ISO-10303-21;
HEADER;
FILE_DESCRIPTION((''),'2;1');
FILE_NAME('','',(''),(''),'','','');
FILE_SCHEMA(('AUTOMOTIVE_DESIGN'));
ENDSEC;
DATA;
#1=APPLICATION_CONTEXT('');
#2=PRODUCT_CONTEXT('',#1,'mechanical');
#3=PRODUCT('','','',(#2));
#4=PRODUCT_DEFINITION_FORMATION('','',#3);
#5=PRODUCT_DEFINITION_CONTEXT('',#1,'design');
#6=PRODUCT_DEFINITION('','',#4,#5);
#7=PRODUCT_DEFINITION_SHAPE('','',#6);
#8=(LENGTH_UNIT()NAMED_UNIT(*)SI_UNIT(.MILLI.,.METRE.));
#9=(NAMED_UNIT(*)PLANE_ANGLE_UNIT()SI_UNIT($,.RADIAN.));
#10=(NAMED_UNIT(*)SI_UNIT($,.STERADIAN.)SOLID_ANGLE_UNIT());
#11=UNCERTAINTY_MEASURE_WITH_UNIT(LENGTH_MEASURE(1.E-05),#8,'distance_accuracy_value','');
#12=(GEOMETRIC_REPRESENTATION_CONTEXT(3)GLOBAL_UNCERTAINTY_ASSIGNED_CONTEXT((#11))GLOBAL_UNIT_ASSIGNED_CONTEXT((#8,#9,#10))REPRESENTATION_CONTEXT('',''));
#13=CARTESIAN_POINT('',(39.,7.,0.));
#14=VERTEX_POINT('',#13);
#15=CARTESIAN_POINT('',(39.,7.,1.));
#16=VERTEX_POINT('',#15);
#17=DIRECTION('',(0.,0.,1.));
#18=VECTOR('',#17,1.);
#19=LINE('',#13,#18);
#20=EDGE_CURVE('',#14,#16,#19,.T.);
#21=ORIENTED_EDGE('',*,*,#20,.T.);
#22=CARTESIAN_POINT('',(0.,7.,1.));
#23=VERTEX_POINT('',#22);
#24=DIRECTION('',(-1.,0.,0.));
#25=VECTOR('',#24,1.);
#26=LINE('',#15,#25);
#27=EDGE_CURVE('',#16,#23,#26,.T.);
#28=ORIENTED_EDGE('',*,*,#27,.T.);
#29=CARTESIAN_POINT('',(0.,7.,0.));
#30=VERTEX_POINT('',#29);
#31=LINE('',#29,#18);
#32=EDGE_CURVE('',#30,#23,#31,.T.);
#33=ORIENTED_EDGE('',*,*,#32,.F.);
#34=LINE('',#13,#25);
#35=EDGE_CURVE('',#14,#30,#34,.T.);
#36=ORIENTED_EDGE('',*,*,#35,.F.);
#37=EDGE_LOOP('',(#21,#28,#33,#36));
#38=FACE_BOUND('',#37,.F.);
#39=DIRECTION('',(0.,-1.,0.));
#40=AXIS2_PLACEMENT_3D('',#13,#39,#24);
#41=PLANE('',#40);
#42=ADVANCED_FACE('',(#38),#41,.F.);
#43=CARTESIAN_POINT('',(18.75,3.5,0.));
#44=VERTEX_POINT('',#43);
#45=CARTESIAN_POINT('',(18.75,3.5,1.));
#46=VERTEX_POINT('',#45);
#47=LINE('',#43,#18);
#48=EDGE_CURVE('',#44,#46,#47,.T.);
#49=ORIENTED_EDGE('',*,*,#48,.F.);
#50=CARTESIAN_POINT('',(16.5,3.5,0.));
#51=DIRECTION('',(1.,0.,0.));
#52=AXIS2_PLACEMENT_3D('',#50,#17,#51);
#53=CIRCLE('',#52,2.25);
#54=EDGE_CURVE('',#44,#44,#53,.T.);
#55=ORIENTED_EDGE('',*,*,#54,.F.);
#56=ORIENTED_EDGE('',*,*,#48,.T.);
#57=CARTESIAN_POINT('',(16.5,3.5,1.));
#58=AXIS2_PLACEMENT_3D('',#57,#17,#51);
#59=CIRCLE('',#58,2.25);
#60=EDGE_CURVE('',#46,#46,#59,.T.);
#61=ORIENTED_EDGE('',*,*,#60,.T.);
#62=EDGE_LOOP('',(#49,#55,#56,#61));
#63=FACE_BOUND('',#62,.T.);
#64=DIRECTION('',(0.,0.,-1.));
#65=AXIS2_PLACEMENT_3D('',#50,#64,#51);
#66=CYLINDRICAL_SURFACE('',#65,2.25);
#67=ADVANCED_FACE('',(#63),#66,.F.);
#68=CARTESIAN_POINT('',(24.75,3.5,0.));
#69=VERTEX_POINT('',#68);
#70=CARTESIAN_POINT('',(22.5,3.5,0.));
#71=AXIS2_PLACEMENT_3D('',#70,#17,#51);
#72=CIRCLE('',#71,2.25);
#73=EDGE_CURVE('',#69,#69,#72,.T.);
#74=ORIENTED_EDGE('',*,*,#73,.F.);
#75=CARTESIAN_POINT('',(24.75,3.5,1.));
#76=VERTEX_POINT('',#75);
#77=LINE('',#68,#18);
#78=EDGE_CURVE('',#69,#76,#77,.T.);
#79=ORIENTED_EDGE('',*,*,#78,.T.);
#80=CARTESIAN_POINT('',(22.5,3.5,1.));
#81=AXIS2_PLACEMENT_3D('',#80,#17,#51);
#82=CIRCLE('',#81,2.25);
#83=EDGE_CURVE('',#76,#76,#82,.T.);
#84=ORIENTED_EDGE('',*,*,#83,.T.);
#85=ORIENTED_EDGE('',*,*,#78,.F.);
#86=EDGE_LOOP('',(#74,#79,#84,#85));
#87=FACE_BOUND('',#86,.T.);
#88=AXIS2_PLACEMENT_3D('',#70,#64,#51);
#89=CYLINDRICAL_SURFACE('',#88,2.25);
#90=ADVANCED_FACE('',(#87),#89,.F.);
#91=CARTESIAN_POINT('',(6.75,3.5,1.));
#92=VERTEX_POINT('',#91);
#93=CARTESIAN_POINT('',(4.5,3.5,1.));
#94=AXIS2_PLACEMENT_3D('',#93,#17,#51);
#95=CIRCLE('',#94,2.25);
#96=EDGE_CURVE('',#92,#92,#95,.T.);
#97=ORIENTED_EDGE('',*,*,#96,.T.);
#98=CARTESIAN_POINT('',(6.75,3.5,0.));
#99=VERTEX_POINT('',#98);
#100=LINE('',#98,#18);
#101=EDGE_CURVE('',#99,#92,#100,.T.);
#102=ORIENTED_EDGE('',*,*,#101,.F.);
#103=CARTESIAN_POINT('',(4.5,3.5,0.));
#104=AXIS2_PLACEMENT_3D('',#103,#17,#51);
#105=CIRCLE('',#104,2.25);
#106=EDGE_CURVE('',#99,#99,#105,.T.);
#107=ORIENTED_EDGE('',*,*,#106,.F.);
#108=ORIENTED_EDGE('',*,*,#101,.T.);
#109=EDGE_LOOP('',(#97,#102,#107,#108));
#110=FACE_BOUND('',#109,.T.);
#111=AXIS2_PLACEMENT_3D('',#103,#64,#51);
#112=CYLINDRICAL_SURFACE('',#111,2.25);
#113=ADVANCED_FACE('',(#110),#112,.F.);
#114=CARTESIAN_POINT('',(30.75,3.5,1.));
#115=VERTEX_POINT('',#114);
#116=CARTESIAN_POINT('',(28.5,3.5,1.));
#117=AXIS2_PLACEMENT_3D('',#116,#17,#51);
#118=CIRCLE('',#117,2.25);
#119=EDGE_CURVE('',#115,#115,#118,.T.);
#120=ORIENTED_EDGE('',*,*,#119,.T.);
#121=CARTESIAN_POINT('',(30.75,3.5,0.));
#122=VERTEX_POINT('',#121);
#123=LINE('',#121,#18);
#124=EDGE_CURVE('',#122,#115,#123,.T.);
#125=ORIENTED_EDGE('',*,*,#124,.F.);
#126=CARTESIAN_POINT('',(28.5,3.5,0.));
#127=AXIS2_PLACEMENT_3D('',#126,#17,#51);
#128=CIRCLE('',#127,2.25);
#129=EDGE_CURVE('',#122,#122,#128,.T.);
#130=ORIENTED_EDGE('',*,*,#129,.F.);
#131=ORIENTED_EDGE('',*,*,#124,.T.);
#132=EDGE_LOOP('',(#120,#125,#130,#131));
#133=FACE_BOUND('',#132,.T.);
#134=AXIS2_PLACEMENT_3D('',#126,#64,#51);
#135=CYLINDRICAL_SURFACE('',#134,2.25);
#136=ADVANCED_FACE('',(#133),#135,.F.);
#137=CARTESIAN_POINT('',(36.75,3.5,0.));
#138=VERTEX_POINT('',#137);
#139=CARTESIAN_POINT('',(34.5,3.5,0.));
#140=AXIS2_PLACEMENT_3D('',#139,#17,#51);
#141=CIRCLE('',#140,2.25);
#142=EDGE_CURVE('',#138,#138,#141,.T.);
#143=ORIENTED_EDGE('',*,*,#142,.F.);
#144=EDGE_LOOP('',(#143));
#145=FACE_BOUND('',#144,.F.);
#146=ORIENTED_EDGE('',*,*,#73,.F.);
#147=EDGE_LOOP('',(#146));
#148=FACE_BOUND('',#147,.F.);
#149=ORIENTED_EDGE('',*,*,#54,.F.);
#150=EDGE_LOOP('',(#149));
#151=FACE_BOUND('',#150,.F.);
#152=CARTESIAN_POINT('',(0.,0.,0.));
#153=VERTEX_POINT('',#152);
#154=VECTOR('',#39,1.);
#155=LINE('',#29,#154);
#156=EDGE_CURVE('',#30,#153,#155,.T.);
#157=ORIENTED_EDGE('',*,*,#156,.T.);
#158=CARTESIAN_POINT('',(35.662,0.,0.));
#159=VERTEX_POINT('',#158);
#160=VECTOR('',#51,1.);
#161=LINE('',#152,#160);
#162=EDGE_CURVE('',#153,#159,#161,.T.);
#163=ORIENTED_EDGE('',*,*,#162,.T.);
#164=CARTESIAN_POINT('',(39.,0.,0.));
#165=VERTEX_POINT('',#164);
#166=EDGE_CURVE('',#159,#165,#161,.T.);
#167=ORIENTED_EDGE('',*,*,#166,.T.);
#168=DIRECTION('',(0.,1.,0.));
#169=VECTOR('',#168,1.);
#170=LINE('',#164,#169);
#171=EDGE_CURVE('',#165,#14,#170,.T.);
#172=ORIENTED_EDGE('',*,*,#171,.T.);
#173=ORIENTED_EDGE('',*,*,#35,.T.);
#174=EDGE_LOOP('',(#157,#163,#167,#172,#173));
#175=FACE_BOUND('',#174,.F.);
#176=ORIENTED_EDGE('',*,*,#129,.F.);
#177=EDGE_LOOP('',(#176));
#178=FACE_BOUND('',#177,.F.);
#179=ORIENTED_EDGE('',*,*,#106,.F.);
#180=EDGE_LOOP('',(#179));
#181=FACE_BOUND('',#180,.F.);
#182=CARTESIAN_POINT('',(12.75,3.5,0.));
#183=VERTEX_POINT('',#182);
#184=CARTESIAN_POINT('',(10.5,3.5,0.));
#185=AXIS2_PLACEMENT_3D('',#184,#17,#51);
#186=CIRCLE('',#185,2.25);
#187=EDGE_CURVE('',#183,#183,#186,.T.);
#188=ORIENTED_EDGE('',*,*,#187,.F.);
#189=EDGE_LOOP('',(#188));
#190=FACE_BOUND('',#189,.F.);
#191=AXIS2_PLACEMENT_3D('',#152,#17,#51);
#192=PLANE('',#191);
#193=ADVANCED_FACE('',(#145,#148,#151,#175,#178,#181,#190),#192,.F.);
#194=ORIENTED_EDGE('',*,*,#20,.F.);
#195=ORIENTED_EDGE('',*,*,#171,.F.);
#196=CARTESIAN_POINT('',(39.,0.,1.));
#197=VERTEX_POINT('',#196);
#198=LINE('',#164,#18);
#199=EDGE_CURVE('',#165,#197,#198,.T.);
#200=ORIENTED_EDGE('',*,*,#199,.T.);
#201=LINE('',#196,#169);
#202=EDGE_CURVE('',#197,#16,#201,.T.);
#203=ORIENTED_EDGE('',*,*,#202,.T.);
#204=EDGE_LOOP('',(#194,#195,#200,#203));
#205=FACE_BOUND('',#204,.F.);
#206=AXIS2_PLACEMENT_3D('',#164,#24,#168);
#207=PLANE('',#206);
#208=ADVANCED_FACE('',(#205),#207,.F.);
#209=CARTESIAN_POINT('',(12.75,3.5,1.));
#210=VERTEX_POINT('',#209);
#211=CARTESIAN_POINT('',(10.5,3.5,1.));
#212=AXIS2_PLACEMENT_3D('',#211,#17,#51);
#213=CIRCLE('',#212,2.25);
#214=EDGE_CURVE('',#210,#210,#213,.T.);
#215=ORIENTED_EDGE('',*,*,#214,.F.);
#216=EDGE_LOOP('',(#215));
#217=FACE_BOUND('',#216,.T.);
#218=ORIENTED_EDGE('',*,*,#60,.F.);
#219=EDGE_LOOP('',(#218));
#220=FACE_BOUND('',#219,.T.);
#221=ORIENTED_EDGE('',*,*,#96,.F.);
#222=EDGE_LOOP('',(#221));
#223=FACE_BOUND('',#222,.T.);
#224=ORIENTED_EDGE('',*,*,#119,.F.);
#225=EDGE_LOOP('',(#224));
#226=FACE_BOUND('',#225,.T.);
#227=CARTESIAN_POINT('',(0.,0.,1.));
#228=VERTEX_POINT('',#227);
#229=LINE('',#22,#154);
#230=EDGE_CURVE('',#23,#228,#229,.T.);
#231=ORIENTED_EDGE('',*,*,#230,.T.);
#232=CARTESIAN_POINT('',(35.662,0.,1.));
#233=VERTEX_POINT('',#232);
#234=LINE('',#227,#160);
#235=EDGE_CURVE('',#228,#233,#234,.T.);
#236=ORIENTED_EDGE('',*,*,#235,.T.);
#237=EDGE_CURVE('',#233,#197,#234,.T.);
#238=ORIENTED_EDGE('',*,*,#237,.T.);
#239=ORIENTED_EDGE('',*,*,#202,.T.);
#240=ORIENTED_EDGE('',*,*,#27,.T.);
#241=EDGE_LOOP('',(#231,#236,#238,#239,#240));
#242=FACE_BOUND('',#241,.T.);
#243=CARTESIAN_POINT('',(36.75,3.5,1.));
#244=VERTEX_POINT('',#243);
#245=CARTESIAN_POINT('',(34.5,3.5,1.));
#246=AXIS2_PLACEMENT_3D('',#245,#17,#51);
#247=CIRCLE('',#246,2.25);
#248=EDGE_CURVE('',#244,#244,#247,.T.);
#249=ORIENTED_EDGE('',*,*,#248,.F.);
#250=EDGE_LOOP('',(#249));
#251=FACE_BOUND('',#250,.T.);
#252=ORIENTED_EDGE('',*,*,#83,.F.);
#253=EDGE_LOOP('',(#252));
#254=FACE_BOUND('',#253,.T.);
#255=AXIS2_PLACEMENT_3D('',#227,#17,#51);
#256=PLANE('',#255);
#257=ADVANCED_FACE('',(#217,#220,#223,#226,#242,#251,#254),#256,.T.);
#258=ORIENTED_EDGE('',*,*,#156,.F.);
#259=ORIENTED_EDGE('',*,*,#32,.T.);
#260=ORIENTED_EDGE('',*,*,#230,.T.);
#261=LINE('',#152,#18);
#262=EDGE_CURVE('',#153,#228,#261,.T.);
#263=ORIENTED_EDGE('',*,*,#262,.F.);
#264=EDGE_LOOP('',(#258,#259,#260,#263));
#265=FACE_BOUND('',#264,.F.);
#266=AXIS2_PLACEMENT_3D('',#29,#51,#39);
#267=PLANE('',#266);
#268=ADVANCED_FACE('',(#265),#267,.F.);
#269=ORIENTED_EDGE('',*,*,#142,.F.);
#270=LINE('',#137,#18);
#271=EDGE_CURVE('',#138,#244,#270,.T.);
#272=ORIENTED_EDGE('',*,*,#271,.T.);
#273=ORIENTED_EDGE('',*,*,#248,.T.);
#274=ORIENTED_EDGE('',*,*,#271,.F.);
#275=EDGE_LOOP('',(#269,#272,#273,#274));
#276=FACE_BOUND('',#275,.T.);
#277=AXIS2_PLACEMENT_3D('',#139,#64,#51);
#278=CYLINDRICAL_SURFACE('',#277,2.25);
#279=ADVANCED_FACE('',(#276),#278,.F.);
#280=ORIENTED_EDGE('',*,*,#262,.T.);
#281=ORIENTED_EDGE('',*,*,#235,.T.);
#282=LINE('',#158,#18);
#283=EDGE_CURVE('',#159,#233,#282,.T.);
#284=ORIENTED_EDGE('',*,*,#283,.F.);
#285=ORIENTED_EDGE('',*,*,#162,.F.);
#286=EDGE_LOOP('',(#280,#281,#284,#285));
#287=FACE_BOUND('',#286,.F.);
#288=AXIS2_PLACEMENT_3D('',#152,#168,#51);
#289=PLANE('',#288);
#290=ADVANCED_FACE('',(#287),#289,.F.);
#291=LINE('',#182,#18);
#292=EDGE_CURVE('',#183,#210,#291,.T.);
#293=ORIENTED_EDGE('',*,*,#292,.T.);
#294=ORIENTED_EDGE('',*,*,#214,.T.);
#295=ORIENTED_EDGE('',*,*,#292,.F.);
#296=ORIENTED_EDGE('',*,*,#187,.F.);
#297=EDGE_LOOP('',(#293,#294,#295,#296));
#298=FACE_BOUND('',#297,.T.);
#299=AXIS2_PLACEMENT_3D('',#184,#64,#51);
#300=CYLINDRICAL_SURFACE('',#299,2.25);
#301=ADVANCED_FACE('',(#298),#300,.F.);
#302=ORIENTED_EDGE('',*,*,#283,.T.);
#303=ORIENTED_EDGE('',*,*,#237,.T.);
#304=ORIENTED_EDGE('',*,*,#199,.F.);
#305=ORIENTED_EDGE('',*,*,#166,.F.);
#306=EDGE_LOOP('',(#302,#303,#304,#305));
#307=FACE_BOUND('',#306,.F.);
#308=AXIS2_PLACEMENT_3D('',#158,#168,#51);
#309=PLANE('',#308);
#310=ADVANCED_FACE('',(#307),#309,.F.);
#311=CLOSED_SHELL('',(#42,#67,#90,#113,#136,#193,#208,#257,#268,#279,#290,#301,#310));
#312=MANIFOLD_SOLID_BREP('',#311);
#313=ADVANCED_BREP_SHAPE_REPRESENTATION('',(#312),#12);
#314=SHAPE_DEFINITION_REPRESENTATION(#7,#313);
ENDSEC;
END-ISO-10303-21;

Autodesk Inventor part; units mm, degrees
ref_plane "YZ Plane" through (0, 0, 0) normal (1, 0, 0) x (0, 1, 0)
ref_plane "XZ Plane" through (0, 0, 0) normal (0, 1, 0) x (-1, 0, 0)
ref_plane "XY Plane" through (0, 0, 0) normal (0, 0, 1) x (1, 0, 0)
sketch "Sketch1" plane through (0, 0, 0) normal (0, 0, 1) x (1, 0, 0)
  line L0 (0, 0) -> (39, 0)
  line L1 (39, 0) -> (39, 7)
  line L2 (39, 7) -> (0, 7)
  line L3 (0, 7) -> (0, 0)
  line L4 (39, 3.5) -> (0, 3.5) construction
  line L5 (39, 0) -> (35.662, 0)
  line L6 (39, 3.5) -> (34.5, 3.5) construction
  circle A0 centre (34.5, 3.5) radius 2.25
  line L7 (34.5, 3.5) -> (28.5, 3.5) construction
  circle A1 centre (28.5, 3.5) radius 2.25
  line L8 (28.5, 3.5) -> (22.5, 3.5) construction
  line L9 (22.5, 3.5) -> (16.5, 3.5) construction
  line L10 (16.5, 3.5) -> (10.5, 3.5) construction
  line L11 (10.5, 3.5) -> (4.5, 3.5) construction
  circle A2 centre (22.5, 3.5) radius 2.25
  circle A3 centre (16.5, 3.5) radius 2.25
  circle A4 centre (10.5, 3.5) radius 2.25
  circle A5 centre (4.5, 3.5) radius 2.25
  dimension "d0" = 39
  dimension "d1" = 7
  dimension "d2" = 4.5
  dimension "d3" = 6
  dimension "d4" = 4.5
  dimension "d5" = 6
  dimension "d6" = 6
  dimension "d7" = 6
  dimension "d8" = 6
  dimension "d9" = 4.5
  dimension "d10" = 4.5
  dimension "d11" = 4.5
  dimension "d12" = 4.5
extrude "Extrusion1" add sketch "Sketch1" along normal blind 1
ref_plane "Work Plane1" through (0, 0, 0.6) normal (0, 0, -1) x (-1, 0, 0)
properties part number "Spacer" material "Steel, Carbon"
